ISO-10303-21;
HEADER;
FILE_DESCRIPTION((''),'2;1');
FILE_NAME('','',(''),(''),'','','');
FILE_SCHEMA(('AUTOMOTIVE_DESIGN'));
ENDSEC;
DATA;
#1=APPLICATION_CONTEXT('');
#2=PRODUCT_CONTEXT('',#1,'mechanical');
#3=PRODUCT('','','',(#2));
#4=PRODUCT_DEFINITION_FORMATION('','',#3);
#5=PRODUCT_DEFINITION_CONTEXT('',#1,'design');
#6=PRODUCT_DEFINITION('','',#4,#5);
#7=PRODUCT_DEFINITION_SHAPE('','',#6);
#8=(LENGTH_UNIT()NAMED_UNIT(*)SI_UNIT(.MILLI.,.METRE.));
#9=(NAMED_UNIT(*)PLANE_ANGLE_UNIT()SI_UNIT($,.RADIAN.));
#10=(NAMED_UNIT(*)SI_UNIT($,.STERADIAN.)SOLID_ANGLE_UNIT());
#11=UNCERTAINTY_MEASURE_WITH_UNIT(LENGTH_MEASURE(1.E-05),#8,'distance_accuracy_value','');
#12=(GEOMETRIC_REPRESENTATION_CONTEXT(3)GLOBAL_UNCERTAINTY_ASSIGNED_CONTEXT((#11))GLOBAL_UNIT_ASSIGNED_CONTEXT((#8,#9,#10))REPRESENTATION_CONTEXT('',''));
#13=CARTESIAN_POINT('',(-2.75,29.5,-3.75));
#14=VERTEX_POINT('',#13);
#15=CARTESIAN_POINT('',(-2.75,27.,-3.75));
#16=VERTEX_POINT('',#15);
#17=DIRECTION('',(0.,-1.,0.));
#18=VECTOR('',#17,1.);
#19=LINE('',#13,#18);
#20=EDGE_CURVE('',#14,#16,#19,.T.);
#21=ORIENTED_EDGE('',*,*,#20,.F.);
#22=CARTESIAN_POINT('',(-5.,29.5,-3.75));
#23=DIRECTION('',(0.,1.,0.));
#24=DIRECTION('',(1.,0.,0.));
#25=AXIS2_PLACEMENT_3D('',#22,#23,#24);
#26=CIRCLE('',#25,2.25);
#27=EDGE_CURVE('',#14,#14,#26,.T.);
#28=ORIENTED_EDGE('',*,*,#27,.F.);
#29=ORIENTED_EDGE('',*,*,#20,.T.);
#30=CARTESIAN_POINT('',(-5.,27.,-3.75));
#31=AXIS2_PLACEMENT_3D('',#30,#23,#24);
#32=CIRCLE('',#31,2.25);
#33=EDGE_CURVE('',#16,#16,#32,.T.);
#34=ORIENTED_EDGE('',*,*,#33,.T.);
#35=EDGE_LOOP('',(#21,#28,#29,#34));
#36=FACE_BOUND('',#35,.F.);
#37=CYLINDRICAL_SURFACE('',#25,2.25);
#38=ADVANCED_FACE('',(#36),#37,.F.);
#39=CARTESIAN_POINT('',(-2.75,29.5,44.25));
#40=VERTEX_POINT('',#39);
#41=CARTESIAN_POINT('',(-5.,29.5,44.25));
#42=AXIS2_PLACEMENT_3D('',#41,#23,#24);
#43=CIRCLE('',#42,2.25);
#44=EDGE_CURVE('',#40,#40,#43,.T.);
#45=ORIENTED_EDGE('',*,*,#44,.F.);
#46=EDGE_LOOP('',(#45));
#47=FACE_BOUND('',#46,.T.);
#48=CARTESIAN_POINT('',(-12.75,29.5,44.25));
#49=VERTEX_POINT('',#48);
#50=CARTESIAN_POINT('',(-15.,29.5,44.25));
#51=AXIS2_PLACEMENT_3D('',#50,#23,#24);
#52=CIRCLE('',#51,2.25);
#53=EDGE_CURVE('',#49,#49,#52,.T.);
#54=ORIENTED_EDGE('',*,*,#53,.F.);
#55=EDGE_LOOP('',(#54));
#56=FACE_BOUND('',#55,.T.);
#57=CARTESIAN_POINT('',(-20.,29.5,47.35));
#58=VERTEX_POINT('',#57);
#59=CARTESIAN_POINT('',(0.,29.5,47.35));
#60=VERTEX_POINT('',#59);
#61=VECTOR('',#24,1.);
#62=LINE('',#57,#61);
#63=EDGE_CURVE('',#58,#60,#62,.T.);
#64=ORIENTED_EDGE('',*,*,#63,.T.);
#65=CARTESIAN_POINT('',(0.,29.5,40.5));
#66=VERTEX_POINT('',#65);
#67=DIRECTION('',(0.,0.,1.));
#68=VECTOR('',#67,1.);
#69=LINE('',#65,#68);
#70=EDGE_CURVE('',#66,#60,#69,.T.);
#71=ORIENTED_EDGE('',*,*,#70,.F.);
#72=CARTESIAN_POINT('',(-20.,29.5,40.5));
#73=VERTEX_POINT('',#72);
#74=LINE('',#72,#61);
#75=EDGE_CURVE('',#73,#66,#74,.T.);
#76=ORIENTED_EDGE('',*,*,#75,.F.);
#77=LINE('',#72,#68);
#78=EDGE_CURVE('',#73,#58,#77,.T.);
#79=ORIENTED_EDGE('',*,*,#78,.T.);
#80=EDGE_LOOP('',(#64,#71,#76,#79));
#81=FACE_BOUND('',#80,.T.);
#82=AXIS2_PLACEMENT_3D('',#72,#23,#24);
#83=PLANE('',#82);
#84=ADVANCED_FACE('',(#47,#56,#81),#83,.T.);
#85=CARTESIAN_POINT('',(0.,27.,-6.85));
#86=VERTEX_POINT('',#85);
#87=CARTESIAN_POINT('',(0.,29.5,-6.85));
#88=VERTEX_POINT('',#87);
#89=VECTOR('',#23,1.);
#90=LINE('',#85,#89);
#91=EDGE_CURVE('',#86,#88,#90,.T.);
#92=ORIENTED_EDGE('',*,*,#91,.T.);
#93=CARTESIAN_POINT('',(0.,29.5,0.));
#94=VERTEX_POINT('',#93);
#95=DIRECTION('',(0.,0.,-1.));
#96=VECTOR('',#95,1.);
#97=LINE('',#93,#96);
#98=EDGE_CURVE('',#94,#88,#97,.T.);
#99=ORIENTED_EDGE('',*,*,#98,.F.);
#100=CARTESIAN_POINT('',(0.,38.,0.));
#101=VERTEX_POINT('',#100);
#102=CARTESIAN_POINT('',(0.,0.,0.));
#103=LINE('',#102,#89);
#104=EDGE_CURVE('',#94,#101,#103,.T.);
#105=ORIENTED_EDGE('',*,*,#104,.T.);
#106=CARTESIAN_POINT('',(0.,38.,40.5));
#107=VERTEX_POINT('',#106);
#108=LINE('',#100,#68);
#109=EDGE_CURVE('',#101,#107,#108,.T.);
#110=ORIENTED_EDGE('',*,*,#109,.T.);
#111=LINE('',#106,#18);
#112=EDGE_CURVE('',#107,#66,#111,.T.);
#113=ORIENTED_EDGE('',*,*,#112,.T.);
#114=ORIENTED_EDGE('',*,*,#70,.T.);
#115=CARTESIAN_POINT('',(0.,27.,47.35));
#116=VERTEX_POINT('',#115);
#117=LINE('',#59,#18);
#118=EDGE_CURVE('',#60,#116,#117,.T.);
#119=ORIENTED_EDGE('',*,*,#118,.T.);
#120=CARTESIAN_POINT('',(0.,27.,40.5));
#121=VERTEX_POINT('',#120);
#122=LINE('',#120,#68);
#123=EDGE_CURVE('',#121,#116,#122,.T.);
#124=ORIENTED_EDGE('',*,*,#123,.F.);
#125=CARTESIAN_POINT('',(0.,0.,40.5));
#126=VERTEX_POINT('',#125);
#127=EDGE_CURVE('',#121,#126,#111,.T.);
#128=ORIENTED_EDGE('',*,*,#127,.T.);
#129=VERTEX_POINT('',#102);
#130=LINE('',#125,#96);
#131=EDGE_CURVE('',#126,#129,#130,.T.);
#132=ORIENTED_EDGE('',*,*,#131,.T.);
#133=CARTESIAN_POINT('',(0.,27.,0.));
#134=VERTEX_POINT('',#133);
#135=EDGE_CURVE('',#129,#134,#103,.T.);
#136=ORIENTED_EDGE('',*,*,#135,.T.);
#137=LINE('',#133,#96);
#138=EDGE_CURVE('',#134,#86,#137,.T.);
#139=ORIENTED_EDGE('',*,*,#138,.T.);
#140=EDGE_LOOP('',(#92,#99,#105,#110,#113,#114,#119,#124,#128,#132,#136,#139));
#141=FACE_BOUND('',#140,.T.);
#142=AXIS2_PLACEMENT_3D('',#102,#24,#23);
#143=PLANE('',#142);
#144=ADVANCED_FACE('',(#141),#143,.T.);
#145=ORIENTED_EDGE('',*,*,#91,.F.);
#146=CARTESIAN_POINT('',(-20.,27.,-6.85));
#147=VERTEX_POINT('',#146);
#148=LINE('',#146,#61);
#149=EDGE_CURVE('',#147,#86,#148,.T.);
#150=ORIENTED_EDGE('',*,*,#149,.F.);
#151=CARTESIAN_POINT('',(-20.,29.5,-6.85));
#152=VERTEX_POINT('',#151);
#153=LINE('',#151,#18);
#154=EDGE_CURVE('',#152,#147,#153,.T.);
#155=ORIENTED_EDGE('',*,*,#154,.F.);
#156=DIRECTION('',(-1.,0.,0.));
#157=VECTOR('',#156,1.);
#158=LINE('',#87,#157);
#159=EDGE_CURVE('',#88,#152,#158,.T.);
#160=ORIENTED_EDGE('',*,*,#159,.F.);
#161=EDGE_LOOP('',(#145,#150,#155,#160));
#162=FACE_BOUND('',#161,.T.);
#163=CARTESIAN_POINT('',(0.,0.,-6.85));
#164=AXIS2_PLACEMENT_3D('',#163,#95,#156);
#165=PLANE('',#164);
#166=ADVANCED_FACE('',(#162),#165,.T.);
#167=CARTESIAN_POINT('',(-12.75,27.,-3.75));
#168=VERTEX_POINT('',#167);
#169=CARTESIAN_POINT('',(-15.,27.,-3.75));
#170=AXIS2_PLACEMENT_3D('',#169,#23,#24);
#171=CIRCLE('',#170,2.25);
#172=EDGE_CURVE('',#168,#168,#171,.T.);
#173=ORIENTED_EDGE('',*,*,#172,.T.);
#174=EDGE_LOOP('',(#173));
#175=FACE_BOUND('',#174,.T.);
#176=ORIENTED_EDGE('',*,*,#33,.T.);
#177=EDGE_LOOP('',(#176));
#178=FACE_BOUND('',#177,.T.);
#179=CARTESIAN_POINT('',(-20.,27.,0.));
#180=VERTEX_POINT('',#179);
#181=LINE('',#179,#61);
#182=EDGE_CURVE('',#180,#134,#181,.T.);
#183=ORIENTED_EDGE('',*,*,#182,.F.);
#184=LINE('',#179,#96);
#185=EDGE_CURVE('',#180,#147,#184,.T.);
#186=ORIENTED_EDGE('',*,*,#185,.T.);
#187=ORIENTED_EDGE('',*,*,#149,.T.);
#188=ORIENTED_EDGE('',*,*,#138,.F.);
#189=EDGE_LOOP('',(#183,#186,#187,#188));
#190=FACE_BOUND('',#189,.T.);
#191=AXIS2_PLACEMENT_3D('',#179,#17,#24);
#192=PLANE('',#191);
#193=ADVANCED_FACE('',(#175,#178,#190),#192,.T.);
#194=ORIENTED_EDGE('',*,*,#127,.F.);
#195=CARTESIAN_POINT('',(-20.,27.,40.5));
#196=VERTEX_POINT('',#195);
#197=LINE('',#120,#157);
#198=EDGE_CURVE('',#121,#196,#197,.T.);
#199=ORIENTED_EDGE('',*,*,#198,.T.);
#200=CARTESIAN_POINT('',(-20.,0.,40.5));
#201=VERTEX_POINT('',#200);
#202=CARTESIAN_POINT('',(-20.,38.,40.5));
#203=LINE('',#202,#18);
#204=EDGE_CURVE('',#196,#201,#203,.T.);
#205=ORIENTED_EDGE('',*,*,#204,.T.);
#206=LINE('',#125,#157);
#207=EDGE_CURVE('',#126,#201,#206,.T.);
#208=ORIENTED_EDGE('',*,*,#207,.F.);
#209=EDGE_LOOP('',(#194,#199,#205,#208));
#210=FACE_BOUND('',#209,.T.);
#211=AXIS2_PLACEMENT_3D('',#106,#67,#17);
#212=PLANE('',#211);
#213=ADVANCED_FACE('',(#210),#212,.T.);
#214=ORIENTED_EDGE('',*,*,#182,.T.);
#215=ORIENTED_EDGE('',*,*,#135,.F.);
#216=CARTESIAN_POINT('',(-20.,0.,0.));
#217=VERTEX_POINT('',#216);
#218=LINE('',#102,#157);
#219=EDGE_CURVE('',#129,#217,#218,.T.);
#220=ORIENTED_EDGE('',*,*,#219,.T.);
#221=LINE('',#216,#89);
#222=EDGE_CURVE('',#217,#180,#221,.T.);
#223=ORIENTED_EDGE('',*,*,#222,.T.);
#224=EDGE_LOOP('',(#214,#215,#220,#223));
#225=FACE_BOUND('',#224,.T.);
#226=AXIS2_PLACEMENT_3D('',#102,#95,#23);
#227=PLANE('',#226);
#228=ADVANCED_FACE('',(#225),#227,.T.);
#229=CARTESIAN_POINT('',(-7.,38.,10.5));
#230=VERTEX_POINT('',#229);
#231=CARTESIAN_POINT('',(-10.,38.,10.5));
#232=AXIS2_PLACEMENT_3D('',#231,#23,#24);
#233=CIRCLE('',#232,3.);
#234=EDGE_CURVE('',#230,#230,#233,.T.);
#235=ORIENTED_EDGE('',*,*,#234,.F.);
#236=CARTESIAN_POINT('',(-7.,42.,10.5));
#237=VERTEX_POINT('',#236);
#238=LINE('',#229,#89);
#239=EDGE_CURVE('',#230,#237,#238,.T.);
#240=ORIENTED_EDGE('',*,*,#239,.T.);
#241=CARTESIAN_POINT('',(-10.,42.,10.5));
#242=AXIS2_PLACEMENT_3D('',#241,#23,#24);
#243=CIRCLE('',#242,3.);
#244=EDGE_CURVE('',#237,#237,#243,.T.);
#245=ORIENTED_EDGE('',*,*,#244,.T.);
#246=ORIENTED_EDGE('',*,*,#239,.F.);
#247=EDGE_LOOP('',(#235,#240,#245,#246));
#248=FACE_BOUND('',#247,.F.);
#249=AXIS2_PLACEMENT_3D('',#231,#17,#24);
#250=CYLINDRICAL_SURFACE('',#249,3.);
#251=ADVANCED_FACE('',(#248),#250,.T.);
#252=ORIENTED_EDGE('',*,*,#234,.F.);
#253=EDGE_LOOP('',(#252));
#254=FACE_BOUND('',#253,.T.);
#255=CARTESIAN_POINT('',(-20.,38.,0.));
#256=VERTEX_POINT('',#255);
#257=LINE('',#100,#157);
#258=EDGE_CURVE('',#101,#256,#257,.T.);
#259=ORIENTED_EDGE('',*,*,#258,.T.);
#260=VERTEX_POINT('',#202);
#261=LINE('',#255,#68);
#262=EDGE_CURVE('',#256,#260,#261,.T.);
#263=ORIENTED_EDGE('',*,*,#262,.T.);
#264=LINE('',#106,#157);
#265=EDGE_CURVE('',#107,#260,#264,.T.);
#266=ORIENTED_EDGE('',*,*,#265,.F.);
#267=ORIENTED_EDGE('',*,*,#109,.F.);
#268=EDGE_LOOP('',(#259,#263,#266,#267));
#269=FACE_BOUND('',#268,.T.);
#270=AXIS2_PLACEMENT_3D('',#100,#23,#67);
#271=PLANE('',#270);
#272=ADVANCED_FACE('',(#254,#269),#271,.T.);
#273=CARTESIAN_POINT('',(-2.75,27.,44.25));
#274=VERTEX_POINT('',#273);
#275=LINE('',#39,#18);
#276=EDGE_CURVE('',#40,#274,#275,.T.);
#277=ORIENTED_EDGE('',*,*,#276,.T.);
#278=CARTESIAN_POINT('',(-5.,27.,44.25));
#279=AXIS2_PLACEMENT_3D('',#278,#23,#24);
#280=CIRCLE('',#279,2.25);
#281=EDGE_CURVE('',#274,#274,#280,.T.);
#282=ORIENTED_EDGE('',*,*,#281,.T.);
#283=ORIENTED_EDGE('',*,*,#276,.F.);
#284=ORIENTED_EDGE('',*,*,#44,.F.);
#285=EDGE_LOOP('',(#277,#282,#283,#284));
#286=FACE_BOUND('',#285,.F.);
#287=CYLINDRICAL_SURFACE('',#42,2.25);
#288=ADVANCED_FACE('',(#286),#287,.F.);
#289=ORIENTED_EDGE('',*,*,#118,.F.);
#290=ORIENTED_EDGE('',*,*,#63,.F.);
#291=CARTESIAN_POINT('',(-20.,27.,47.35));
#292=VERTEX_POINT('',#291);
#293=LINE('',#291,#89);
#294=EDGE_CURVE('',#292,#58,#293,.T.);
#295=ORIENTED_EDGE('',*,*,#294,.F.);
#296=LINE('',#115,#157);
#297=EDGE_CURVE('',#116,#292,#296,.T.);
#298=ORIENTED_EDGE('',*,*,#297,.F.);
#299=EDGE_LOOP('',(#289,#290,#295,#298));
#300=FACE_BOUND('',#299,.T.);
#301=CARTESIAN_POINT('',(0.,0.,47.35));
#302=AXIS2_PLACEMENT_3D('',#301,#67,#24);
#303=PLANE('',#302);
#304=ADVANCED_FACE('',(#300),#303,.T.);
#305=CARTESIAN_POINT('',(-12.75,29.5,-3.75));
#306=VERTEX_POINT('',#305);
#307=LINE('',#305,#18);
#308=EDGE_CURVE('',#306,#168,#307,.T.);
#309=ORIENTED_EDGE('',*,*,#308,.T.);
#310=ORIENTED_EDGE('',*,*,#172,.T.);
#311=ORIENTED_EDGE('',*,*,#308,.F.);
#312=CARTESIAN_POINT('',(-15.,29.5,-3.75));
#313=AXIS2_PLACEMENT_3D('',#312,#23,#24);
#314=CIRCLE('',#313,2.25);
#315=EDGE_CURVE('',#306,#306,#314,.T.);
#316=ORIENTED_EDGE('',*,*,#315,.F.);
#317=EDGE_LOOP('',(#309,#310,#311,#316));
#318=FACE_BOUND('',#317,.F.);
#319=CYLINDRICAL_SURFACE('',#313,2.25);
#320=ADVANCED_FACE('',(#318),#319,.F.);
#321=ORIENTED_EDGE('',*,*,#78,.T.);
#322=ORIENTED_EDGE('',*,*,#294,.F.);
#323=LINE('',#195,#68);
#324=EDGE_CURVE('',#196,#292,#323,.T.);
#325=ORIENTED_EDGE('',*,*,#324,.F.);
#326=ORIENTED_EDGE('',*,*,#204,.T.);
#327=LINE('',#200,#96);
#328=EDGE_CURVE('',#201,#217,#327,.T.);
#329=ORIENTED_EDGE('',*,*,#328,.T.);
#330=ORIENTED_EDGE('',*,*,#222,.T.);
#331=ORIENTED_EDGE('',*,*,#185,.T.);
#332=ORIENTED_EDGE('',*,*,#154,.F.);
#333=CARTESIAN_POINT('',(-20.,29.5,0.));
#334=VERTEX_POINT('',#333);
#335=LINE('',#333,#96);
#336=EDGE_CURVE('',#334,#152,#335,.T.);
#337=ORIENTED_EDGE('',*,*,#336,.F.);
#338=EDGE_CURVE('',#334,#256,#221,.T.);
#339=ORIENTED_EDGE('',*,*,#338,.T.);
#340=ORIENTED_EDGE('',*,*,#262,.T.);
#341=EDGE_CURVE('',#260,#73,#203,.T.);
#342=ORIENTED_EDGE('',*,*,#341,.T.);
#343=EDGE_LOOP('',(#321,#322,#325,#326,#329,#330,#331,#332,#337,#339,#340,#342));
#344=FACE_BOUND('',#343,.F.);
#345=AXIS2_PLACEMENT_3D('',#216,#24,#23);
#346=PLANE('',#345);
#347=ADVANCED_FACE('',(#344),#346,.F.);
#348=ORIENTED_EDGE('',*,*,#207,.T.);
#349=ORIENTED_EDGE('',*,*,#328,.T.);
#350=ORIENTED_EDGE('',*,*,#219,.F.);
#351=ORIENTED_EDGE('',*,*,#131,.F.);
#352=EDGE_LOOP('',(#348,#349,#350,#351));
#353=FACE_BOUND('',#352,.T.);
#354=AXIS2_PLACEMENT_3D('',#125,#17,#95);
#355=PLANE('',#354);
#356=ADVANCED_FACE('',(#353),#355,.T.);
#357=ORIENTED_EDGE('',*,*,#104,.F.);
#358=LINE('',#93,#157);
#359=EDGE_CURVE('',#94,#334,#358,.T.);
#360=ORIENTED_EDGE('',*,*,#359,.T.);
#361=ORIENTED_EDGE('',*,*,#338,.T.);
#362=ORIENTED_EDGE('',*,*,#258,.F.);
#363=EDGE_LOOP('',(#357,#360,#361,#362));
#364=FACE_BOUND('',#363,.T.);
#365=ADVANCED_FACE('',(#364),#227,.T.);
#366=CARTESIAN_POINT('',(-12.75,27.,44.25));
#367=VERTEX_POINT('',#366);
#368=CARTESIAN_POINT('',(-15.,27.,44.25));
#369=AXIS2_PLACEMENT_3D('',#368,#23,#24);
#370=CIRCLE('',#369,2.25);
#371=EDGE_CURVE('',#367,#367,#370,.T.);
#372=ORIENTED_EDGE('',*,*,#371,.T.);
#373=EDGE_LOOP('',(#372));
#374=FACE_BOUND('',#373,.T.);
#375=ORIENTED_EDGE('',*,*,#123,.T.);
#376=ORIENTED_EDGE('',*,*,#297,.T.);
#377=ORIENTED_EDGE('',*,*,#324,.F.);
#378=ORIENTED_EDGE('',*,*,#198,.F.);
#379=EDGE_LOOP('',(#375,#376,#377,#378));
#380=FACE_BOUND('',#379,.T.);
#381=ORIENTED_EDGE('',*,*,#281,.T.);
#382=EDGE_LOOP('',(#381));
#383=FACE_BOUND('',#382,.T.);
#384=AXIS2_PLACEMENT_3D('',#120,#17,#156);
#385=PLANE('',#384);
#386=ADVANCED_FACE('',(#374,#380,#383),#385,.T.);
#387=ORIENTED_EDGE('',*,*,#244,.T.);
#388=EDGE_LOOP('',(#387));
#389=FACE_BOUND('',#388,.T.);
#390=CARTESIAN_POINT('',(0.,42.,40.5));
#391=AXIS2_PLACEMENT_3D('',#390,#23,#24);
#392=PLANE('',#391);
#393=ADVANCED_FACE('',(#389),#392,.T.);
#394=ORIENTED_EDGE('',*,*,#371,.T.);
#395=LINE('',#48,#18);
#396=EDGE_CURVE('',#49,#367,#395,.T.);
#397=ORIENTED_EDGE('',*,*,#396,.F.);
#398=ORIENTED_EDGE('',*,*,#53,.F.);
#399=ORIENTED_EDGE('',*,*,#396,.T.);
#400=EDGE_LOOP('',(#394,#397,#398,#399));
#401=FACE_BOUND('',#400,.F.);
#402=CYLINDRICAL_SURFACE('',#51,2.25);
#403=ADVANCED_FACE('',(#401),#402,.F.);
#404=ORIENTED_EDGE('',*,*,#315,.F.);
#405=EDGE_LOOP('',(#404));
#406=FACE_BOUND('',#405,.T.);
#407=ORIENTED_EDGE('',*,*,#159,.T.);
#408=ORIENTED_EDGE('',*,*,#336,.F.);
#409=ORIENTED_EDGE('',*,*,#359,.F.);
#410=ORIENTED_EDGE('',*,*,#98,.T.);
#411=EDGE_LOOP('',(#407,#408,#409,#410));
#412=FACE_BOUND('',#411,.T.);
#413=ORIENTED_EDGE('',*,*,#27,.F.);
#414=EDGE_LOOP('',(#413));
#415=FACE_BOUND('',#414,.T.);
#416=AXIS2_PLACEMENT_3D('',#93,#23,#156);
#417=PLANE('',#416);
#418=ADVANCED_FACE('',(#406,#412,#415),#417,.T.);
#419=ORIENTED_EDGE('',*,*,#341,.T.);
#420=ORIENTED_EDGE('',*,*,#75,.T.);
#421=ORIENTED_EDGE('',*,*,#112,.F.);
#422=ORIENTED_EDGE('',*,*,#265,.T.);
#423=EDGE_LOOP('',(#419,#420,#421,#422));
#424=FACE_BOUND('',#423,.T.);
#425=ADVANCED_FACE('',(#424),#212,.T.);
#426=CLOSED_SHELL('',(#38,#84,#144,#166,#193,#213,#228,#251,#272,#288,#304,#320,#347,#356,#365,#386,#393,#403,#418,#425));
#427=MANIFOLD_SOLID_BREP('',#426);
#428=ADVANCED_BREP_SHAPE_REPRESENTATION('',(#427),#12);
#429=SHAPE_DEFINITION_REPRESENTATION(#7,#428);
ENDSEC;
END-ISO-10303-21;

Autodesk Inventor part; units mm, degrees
ref_plane "YZ Plane" through (0, 0, 0) normal (1, 0, 0) x (0, 1, 0)
ref_plane "XZ Plane" through (0, 0, 0) normal (0, 1, 0) x (-1, 0, 0)
ref_plane "XY Plane" through (0, 0, 0) normal (0, 0, 1) x (1, 0, 0)
sketch "Sketch1" plane through (0, 0, 0) normal (1, 0, 0) x (0, 1, 0)
  line L0 (38, 40.5) -> (0, 40.5)
  line L1 (0, 40.5) -> (0, 0)
  line L2 (0, 0) -> (38, 0)
  line L3 (38, 0) -> (38, 40.5)
  dimension "d0" = 40.5
  dimension "d1" = 38
extrude "BODY" add sketch "Sketch1" against normal blind 20
sketch "Sketch2" plane through (0, 0, 40.5) normal (0, 0, 1) x (1, 0, 0)
  line L0 (-20, 0) -> (-20, 38) construction
  line L1 (0, 0) -> (-20, 0) construction
  line L2 (0, 27) -> (-20, 27)
  line L3 (-20, 27) -> (-20, 29.5)
  line L4 (-20, 29.5) -> (0, 29.5)
  line L5 (0, 29.5) -> (0, 27)
  dimension "d4" = 27
  dimension "d5" = 2.5
  dimension "d6" = 20
  dimension "d7" = 0
extrude "BRACKET1" add sketch "Sketch2" along normal blind 6.85
sketch "Sketch3" plane through (0, 0, 0) normal (0, 0, -1) x (-1, 0, 0)
  line L0 (0, 0) -> (0, 38) construction
  line L1 (0, 0) -> (20, 0) construction
  line L2 (20, 27) -> (0, 27)
  line L3 (0, 27) -> (0, 29.5)
  line L4 (0, 29.5) -> (20, 29.5)
  line L5 (20, 29.5) -> (20, 27)
  dimension "d10" = 27
  dimension "d11" = 2.5
  dimension "d12" = 0
  dimension "d13" = 20
extrude "BRACKET2" add sketch "Sketch3" along normal blind 6.85
sketch "Sketch4" plane through (-20, 29.5, 40.5) normal (0, 1, 0) x (1, 0, 0)
  line L0 (0, 0) -> (20, 0) construction
  line L1 (20, 0) -> (20, -6.85) construction
  circle A0 centre (5, -3.75) radius 2.25
  circle A1 centre (15, -3.75) radius 2.25
  circle A2 centre (5, 44.25) radius 2.25
  circle A3 centre (15, 44.25) radius 2.25
  line L2 (20, 40.5) -> (20, 47.35) construction
  line L3 (0, 40.5) -> (0, 47.35) construction
  dimension "d16" = 4.5
  dimension "d17" = 4.5
  dimension "d18" = 4.5
  dimension "d19" = 4.5
  dimension "d20" = 48
  dimension "d21" = 48
  dimension "d22" = 10
  dimension "d23" = 5
  dimension "d24" = 5
  dimension "d26" = 10
  dimension "d27" = 3.75
  dimension "d28" = 5
extrude "SCREW_HOLES" cut sketch "Sketch4" against normal blind 10
sketch "Sketch5" plane through (0, 38, 40.5) normal (0, 1, 0) x (1, 0, 0)
  line L0 (-20, 0) -> (-20, 40.5) construction
  line L1 (0, 0) -> (-20, 0) construction
  circle A0 centre (-10, 30) radius 3
  dimension "d31" = 6
  dimension "d32" = 30
  dimension "d33" = 10
extrude "TORQUE_CENTER" add sketch "Sketch5" along normal blind 4
equation "\"d10\" = d4"
equation "\"d11\" = d5"
equation "\"d13\" = d6"
equation "\"d14\" = d8"
equation "\"d17\" = d16"
equation "\"d18\" = d16"
equation "\"d19\" = d16"
equation "\"d8\" = 6.85"
properties part number "JX PDI-HV5932MG-180 digital servo" material "JX PDI-HV5932MG-180 digital servo color"
